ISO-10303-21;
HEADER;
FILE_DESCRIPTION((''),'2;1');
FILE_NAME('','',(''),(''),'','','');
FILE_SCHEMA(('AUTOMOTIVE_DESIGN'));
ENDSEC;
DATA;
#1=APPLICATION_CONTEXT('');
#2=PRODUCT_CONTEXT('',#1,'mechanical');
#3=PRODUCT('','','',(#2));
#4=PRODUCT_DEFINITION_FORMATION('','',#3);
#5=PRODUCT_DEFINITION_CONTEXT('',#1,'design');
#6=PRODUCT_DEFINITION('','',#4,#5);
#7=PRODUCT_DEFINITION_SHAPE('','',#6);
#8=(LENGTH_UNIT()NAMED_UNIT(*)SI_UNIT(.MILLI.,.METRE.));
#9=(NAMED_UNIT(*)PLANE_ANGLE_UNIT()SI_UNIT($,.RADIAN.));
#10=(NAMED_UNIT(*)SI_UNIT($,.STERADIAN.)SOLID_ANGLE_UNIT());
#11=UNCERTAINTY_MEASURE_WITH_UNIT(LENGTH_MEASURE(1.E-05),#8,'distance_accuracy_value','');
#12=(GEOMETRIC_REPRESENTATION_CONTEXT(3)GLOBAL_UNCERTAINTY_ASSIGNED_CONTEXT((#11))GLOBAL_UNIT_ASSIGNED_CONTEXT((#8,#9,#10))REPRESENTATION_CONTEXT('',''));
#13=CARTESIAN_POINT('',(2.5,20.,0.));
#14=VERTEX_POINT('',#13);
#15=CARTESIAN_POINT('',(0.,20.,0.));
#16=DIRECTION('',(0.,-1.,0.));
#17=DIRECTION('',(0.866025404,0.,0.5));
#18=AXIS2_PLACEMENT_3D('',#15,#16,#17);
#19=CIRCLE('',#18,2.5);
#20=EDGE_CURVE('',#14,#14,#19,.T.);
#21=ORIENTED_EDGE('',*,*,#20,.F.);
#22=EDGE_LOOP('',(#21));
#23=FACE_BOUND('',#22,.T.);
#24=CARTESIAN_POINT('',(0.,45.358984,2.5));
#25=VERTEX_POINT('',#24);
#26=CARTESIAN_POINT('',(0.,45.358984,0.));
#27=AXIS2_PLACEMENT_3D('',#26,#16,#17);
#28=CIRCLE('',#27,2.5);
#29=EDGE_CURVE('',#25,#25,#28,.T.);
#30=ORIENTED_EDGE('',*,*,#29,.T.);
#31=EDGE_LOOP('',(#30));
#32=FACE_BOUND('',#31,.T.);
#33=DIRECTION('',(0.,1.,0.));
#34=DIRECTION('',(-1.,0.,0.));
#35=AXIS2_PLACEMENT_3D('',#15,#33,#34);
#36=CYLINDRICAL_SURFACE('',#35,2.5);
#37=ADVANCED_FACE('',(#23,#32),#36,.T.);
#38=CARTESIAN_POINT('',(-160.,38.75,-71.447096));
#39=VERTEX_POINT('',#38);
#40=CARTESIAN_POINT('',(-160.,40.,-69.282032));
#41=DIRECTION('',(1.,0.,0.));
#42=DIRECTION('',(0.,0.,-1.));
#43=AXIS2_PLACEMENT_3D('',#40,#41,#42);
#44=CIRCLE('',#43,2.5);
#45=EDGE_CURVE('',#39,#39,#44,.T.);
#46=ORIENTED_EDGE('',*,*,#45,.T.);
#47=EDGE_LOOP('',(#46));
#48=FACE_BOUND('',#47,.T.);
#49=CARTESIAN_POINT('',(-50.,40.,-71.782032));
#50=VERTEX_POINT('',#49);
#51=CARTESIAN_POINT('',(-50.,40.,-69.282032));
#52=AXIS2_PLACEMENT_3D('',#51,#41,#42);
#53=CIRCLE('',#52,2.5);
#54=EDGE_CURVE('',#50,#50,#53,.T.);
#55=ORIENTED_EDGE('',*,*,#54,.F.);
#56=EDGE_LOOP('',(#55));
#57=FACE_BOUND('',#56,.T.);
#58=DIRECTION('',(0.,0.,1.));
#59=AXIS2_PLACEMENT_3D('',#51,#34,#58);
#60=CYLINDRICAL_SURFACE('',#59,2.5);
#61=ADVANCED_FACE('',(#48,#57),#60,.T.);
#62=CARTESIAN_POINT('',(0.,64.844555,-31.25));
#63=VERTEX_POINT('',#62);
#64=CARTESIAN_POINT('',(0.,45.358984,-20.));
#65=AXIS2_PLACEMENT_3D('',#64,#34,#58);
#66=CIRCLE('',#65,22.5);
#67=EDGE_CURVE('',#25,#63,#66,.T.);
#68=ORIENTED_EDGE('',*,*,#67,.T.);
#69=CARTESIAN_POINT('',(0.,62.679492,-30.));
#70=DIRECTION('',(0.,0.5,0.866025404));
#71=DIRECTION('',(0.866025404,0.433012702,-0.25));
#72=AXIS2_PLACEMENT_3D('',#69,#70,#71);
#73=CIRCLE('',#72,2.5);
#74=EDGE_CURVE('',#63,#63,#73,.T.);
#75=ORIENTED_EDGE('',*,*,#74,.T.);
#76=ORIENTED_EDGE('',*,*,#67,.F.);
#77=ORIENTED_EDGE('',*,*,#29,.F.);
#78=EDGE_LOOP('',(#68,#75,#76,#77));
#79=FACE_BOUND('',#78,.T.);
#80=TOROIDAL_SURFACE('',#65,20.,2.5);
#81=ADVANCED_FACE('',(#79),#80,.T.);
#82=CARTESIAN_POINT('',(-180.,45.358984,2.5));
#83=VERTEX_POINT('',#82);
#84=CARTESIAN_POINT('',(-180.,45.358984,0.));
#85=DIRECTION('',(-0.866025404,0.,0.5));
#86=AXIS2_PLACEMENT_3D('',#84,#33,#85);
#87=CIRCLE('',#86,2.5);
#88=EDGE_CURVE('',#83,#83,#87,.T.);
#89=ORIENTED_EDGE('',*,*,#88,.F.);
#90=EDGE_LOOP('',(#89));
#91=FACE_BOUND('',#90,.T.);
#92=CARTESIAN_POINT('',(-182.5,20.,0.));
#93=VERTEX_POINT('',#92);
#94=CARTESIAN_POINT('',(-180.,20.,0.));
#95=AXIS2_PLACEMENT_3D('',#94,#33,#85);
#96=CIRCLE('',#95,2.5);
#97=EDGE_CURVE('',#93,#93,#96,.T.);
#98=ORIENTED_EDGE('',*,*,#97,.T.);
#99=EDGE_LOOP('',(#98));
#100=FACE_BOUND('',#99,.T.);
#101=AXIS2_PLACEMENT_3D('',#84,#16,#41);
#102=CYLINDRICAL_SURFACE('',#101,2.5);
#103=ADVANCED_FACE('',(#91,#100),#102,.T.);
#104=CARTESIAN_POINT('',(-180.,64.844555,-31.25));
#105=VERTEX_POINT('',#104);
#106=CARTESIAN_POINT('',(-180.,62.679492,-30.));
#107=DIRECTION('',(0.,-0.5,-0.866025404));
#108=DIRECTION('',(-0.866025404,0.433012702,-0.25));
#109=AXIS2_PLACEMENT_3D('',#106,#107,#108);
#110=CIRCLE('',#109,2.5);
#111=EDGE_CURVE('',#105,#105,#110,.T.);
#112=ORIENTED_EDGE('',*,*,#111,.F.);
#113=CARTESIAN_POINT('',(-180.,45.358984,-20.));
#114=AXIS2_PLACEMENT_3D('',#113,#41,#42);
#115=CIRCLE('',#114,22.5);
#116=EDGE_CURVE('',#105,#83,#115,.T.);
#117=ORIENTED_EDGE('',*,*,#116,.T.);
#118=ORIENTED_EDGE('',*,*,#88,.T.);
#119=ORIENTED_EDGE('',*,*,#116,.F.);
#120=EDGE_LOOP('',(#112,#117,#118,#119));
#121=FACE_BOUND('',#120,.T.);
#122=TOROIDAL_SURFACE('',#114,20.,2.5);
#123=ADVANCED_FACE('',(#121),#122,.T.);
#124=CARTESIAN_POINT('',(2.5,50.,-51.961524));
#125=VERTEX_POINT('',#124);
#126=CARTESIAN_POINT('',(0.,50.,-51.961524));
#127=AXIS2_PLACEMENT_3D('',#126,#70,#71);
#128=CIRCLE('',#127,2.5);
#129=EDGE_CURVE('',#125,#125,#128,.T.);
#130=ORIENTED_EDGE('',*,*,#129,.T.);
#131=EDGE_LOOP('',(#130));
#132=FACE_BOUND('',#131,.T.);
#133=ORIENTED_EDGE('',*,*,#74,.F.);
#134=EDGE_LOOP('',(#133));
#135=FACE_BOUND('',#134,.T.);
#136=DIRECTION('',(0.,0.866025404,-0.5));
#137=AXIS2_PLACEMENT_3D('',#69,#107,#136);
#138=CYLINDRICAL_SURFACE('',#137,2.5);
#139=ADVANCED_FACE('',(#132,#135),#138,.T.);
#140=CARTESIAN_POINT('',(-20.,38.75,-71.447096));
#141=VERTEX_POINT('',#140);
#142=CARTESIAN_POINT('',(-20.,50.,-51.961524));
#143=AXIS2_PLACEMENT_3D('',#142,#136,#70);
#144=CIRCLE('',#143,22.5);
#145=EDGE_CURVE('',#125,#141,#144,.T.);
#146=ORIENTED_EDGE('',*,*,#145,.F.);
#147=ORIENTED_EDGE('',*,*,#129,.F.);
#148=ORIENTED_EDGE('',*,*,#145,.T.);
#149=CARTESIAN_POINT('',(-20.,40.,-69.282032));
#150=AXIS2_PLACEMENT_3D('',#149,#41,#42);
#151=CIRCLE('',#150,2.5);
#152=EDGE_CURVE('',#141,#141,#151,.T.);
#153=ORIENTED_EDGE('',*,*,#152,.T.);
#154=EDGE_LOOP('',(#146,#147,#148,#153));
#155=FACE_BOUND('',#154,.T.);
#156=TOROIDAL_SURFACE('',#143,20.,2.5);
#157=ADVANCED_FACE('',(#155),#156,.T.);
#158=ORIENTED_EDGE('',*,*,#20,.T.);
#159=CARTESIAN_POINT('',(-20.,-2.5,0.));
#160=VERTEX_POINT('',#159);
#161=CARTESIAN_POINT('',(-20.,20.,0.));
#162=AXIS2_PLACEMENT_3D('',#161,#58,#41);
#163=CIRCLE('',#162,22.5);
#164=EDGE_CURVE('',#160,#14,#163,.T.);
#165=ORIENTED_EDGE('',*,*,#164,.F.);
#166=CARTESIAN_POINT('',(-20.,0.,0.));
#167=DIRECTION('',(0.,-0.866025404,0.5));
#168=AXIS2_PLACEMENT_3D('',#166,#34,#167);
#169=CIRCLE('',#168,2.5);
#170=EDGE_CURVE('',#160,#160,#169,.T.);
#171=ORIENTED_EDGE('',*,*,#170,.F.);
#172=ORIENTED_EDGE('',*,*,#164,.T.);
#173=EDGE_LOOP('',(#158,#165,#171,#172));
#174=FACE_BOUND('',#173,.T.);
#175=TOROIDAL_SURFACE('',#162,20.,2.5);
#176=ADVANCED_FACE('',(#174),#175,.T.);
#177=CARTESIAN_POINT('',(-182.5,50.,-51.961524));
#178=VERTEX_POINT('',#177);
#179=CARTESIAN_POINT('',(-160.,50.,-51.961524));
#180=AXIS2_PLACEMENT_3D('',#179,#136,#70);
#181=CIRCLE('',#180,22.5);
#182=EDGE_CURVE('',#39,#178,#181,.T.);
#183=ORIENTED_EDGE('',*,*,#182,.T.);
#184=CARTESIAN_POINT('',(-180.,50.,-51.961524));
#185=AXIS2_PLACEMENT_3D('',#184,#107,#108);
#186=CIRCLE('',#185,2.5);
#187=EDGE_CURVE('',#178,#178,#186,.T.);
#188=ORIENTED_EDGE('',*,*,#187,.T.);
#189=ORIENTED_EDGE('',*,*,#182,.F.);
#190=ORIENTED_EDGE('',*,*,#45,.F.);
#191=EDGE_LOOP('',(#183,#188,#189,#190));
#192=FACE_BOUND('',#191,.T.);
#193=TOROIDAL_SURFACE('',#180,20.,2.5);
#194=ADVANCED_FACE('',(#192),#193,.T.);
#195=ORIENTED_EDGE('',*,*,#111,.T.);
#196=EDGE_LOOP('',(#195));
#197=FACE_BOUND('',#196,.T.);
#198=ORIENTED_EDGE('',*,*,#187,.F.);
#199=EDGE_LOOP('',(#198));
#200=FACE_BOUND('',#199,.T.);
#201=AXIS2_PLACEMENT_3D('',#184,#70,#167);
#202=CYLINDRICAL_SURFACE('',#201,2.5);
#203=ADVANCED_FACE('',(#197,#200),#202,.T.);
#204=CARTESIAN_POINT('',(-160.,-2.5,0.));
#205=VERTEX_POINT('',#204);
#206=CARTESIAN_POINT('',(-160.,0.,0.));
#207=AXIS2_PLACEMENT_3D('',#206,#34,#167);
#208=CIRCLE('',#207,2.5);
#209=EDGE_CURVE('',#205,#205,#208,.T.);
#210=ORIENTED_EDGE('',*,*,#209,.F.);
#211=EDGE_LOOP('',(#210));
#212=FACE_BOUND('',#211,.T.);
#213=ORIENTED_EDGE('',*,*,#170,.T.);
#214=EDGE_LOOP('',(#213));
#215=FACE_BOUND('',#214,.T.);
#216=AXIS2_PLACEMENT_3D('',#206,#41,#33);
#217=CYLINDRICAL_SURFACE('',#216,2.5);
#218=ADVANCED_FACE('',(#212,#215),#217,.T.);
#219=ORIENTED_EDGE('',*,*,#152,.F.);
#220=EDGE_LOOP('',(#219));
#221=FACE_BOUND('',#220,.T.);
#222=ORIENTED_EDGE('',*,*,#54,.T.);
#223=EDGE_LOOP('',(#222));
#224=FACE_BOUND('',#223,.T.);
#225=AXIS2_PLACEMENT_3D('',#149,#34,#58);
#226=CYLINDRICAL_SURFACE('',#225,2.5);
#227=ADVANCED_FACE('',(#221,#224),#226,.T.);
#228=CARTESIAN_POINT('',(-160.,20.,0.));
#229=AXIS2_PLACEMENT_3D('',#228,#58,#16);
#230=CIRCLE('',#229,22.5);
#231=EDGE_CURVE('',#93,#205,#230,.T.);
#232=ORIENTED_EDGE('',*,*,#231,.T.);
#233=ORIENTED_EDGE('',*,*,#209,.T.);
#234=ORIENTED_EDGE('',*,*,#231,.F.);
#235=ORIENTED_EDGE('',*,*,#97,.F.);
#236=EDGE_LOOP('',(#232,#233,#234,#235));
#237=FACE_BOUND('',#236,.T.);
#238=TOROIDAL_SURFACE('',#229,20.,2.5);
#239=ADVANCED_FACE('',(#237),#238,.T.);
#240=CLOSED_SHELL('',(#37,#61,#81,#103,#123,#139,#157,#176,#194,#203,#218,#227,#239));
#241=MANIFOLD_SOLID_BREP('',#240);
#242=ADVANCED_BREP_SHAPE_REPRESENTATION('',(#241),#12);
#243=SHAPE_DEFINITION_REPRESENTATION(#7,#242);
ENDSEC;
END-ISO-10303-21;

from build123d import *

# Parameters (mm, degrees)
SKETCH_3_R = 2.5


with BuildPart() as part:
    # 扫描1: sweep along a curve in space
    with BuildLine() as sweep_1_path:
        Line((0, 20, 0), (0, 45.358983849, 0))
        ThreePointArc((0, 45.358983849, 0), (0, 62.679491924, -10), (0, 62.679491924, -30))
        Line((0, 62.679491924, -30), (0, 50, -51.961524227))
        ThreePointArc((0, 50, -51.961524227), (-5.857864376, 42.928932188, -64.208972941), (-20, 40, -69.282032303))
        Line((-20, 40, -69.282032303), (-160, 40, -69.282032303))
        ThreePointArc((-180, 50, -51.961524227), (-174.142135624, 42.928932188, -64.208972941), (-160, 40, -69.282032303))
        Line((-180, 50, -51.961524227), (-180, 62.679491924, -30))
        ThreePointArc((-180, 62.679491924, -30), (-180, 62.679491924, -10), (-180, 45.358983849, 0))
        Line((-180, 45.358983849, 0), (-180, 20, 0))
        ThreePointArc((-180, 20, 0), (-174.142135624, 5.857864376, 0), (-160, 0, 0))
        Line((-160, 0, 0), (-20, 0, 0))
        ThreePointArc((-20, 0, 0), (-5.857864376, 5.857864376, 0), (0, 20, 0))
    # 草图3 → 扫描1 (sweep)
    with BuildSketch(Plane(origin=(-50, 0, 0), x_dir=(0, 0, -1), z_dir=(1, 0, 0))):
        with Locations((69.282032303, 40)):
            Circle(SKETCH_3_R)
    sweep(path=sweep_1_path.line)


solid = part.part
